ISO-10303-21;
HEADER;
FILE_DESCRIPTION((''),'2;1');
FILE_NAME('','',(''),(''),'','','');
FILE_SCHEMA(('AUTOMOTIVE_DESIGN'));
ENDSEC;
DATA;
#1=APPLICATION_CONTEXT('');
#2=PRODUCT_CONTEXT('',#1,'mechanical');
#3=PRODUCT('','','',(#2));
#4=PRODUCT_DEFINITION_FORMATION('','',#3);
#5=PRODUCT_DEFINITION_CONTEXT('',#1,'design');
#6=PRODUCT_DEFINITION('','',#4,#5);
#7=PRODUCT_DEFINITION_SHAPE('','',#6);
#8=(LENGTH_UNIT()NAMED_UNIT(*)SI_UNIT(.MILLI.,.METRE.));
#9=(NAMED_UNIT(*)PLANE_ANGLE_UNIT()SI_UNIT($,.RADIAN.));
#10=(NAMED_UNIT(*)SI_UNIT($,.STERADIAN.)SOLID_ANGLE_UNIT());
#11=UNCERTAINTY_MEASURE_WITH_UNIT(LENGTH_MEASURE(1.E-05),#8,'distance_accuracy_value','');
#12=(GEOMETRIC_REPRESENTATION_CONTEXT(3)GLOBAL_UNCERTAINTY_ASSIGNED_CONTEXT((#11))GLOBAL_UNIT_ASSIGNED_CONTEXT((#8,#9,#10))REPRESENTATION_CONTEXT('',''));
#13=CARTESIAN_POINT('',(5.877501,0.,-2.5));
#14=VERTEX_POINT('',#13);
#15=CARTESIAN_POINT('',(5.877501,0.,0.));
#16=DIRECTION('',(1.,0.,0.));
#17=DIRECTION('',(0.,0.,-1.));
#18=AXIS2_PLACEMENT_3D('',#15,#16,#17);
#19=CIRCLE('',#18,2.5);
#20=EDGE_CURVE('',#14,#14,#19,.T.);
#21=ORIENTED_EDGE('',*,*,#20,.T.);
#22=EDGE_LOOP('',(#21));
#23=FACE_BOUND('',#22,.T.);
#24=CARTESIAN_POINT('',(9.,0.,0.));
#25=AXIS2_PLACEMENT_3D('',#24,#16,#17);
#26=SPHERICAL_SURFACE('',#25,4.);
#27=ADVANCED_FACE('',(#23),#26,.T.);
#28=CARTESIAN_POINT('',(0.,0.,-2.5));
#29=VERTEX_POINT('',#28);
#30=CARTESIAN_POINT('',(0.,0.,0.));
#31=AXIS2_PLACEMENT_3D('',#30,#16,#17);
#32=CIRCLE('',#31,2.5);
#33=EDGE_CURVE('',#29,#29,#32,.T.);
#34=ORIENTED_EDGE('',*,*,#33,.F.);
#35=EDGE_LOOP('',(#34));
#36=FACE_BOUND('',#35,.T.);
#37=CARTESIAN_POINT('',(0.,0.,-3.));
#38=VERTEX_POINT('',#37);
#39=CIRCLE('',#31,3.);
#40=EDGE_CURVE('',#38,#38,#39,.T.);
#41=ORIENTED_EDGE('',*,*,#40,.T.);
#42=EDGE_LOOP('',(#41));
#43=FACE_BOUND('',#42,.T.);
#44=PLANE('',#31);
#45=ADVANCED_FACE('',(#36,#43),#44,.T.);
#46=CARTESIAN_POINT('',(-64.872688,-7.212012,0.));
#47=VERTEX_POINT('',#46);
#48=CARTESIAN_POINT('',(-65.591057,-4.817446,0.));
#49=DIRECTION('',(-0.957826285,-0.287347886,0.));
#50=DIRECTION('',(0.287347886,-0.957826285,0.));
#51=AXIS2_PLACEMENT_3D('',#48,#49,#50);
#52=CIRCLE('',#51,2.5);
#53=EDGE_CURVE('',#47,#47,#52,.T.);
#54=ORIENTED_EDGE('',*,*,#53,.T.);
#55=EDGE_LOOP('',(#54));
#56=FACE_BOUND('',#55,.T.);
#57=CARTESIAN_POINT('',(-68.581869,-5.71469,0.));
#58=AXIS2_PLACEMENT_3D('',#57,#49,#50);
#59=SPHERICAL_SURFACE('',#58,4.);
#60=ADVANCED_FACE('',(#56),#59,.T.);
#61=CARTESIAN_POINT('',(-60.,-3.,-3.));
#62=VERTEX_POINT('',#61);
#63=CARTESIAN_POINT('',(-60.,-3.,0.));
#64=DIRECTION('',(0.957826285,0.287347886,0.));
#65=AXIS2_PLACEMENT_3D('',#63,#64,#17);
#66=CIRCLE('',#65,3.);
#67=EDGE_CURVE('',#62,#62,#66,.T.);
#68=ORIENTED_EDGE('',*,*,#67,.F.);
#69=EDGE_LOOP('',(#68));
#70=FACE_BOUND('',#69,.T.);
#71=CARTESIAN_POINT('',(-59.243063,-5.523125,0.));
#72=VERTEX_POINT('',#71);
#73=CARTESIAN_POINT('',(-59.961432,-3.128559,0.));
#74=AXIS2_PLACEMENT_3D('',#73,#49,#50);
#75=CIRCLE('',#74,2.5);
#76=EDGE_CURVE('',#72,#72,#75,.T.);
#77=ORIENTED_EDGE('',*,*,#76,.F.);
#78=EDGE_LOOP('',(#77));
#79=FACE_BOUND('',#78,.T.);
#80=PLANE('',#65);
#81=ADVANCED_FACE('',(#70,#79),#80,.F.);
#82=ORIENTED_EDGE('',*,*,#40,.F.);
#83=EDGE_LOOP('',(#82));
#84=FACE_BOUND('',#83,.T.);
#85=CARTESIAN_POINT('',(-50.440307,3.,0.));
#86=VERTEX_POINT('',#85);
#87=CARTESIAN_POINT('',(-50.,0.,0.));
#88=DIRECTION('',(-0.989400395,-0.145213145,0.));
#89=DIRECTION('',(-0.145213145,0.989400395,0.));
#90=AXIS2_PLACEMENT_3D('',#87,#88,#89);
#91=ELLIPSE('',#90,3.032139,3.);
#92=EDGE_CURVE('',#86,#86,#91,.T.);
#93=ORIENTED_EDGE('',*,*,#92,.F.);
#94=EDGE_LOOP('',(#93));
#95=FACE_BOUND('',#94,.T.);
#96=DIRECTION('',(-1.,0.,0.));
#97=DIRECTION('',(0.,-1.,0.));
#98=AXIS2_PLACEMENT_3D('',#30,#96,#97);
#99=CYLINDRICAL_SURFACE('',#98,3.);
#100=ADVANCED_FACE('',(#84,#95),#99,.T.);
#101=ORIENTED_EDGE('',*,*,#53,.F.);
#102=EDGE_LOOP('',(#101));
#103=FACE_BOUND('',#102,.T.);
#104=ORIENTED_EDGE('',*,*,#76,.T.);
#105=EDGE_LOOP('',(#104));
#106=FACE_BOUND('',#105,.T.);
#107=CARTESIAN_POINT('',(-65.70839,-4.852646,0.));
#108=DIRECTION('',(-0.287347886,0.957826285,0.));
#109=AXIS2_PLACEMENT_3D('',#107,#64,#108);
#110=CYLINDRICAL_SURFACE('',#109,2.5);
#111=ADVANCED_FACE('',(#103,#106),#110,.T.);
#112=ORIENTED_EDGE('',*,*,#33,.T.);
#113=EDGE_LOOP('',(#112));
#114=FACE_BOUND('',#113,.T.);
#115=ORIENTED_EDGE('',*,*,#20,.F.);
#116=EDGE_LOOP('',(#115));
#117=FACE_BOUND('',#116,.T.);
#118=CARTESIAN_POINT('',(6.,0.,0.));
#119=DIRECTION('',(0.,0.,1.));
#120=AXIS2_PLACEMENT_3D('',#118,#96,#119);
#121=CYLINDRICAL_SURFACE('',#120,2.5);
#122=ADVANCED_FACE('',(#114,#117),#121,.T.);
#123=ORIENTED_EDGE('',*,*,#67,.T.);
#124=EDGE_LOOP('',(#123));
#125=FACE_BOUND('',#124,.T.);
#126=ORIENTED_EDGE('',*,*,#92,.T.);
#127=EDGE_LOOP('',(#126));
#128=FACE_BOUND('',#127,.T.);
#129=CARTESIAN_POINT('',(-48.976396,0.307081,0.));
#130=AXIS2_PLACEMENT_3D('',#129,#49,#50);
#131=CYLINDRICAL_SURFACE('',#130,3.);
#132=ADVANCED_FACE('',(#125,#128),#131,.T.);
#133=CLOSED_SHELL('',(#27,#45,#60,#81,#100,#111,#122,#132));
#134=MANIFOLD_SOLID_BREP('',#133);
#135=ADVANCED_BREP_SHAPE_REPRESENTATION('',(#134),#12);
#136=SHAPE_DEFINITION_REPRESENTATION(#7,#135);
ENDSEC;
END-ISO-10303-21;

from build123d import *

# Parameters (mm, degrees)
SKETCH1_R           = 3
SKETCH3_R           = 2.5
BOSS_EXTRUDE1_DEPTH = 6
SKETCH5_R           = 2.5
BOSS_EXTRUDE2_DEPTH = 6


with BuildPart() as part:
    # Sweep2: sweep along a path in Sketch2
    with BuildLine(Plane.XY) as sweep2_path:
        Line((0, 0), (-50, 0))
        Line((-50, 0), (-60, -3))
    # Sketch1 → Sweep2 (sweep)
    with BuildSketch(Plane(origin=(0, 0, 0), x_dir=(0, 0, -1), z_dir=(1, 0, 0))):
        Circle(SKETCH1_R)
    sweep(path=sweep2_path.line, transition=Transition.RIGHT)

    # Sketch3 → Boss-Extrude1 (add)
    with BuildSketch(Plane(origin=(-55.871559633, -16.76146789, 0), x_dir=(0, 0, 1), z_dir=(-0.9578262852211515, -0.2873478855663453, 0))):
        with Locations(Location((0, 14.233174799, 0), (0, 0, 270))):
            Circle(SKETCH3_R)
    extrude(amount=BOSS_EXTRUDE1_DEPTH)

    # Sketch4 → Revolve1 (revolve)
    with BuildSketch(Plane(origin=(-64.4919962, -19.34759886, 0), x_dir=(0, 0, 1), z_dir=(-0.9578262852211515, -0.28734788556634533, 0))):
        with BuildLine():
            Line((0, 18.233174799), (0, 10.233174799))
            ThreePointArc((0, 10.233174799), (4, 14.233174799), (0, 18.233174799))
        make_face()
    revolve(axis=Axis((-69.731260426, -1.883384775, 0), (0.2873478855663463, -0.9578262852211512, 0)))

    # Sketch5 → Boss-Extrude2 (add)
    with BuildSketch(Plane(origin=(0, 0, 0), x_dir=(0, 0, -1), z_dir=(1, 0, 0))):
        Circle(SKETCH5_R)
    extrude(amount=BOSS_EXTRUDE2_DEPTH)

    # Sketch6 → Revolve2 (revolve)
    with BuildSketch(Plane(origin=(9, 0, 0), x_dir=(0, 0, -1), z_dir=(1, 0, 0))):
        with BuildLine():
            Line((0, 4), (0, -4))
            ThreePointArc((0, -4), (4, 0), (0, 4))
        make_face()
    revolve(axis=Axis((9, 4, 0), (0, -1, 0)))


solid = part.part
